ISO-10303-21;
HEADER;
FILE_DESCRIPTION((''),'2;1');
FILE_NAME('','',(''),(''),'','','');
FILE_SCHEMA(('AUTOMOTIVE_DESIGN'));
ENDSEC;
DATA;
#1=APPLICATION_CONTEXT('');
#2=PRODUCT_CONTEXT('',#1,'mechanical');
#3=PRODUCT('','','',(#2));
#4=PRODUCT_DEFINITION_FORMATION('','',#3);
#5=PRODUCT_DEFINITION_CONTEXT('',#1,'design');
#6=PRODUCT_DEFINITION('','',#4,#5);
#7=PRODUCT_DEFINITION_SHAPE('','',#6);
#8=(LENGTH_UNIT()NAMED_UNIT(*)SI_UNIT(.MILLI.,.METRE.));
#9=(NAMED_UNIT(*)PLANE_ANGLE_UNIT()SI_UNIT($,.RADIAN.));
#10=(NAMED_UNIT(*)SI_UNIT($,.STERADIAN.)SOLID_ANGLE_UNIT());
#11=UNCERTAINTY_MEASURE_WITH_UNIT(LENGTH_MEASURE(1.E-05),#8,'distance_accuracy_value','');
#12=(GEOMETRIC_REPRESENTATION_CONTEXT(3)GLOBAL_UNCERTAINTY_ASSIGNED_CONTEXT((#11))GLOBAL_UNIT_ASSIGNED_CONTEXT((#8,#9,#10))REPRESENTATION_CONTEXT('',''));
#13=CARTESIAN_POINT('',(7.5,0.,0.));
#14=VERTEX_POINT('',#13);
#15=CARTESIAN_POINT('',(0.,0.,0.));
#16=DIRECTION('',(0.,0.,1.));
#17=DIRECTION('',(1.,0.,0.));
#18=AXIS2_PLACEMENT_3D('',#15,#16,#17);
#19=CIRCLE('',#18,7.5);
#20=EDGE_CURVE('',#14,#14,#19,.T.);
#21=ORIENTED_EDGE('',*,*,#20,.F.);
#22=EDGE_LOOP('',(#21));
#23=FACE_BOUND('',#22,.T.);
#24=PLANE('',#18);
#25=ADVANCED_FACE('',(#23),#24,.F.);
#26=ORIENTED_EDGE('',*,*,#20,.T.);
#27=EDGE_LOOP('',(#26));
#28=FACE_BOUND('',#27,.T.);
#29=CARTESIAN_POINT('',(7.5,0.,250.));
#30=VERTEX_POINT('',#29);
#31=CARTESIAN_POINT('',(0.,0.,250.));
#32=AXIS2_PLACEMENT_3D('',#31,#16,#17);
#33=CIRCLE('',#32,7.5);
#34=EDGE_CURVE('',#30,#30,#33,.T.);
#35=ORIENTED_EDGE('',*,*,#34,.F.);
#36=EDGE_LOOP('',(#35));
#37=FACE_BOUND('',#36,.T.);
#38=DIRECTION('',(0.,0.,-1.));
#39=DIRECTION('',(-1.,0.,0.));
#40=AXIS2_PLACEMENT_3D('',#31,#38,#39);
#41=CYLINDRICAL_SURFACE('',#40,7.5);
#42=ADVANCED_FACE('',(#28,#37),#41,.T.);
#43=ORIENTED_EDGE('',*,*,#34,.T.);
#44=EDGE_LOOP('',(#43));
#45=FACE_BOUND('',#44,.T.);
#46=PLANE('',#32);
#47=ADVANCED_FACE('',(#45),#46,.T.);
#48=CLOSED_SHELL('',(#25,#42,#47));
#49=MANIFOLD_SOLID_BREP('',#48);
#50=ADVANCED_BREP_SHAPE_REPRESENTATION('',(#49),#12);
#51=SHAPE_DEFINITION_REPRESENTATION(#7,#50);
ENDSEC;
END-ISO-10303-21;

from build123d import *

# Parameters (mm, degrees)
ESBO_O1_R                = 7.5
RESSALTO_EXTRUS_O1_DEPTH = 250


with BuildPart() as part:
    # Esboço1 → Ressalto-extrusão1 (new body)
    with BuildSketch(Plane.XY):
        Circle(ESBO_O1_R)
    extrude(amount=RESSALTO_EXTRUS_O1_DEPTH)


solid = part.part
